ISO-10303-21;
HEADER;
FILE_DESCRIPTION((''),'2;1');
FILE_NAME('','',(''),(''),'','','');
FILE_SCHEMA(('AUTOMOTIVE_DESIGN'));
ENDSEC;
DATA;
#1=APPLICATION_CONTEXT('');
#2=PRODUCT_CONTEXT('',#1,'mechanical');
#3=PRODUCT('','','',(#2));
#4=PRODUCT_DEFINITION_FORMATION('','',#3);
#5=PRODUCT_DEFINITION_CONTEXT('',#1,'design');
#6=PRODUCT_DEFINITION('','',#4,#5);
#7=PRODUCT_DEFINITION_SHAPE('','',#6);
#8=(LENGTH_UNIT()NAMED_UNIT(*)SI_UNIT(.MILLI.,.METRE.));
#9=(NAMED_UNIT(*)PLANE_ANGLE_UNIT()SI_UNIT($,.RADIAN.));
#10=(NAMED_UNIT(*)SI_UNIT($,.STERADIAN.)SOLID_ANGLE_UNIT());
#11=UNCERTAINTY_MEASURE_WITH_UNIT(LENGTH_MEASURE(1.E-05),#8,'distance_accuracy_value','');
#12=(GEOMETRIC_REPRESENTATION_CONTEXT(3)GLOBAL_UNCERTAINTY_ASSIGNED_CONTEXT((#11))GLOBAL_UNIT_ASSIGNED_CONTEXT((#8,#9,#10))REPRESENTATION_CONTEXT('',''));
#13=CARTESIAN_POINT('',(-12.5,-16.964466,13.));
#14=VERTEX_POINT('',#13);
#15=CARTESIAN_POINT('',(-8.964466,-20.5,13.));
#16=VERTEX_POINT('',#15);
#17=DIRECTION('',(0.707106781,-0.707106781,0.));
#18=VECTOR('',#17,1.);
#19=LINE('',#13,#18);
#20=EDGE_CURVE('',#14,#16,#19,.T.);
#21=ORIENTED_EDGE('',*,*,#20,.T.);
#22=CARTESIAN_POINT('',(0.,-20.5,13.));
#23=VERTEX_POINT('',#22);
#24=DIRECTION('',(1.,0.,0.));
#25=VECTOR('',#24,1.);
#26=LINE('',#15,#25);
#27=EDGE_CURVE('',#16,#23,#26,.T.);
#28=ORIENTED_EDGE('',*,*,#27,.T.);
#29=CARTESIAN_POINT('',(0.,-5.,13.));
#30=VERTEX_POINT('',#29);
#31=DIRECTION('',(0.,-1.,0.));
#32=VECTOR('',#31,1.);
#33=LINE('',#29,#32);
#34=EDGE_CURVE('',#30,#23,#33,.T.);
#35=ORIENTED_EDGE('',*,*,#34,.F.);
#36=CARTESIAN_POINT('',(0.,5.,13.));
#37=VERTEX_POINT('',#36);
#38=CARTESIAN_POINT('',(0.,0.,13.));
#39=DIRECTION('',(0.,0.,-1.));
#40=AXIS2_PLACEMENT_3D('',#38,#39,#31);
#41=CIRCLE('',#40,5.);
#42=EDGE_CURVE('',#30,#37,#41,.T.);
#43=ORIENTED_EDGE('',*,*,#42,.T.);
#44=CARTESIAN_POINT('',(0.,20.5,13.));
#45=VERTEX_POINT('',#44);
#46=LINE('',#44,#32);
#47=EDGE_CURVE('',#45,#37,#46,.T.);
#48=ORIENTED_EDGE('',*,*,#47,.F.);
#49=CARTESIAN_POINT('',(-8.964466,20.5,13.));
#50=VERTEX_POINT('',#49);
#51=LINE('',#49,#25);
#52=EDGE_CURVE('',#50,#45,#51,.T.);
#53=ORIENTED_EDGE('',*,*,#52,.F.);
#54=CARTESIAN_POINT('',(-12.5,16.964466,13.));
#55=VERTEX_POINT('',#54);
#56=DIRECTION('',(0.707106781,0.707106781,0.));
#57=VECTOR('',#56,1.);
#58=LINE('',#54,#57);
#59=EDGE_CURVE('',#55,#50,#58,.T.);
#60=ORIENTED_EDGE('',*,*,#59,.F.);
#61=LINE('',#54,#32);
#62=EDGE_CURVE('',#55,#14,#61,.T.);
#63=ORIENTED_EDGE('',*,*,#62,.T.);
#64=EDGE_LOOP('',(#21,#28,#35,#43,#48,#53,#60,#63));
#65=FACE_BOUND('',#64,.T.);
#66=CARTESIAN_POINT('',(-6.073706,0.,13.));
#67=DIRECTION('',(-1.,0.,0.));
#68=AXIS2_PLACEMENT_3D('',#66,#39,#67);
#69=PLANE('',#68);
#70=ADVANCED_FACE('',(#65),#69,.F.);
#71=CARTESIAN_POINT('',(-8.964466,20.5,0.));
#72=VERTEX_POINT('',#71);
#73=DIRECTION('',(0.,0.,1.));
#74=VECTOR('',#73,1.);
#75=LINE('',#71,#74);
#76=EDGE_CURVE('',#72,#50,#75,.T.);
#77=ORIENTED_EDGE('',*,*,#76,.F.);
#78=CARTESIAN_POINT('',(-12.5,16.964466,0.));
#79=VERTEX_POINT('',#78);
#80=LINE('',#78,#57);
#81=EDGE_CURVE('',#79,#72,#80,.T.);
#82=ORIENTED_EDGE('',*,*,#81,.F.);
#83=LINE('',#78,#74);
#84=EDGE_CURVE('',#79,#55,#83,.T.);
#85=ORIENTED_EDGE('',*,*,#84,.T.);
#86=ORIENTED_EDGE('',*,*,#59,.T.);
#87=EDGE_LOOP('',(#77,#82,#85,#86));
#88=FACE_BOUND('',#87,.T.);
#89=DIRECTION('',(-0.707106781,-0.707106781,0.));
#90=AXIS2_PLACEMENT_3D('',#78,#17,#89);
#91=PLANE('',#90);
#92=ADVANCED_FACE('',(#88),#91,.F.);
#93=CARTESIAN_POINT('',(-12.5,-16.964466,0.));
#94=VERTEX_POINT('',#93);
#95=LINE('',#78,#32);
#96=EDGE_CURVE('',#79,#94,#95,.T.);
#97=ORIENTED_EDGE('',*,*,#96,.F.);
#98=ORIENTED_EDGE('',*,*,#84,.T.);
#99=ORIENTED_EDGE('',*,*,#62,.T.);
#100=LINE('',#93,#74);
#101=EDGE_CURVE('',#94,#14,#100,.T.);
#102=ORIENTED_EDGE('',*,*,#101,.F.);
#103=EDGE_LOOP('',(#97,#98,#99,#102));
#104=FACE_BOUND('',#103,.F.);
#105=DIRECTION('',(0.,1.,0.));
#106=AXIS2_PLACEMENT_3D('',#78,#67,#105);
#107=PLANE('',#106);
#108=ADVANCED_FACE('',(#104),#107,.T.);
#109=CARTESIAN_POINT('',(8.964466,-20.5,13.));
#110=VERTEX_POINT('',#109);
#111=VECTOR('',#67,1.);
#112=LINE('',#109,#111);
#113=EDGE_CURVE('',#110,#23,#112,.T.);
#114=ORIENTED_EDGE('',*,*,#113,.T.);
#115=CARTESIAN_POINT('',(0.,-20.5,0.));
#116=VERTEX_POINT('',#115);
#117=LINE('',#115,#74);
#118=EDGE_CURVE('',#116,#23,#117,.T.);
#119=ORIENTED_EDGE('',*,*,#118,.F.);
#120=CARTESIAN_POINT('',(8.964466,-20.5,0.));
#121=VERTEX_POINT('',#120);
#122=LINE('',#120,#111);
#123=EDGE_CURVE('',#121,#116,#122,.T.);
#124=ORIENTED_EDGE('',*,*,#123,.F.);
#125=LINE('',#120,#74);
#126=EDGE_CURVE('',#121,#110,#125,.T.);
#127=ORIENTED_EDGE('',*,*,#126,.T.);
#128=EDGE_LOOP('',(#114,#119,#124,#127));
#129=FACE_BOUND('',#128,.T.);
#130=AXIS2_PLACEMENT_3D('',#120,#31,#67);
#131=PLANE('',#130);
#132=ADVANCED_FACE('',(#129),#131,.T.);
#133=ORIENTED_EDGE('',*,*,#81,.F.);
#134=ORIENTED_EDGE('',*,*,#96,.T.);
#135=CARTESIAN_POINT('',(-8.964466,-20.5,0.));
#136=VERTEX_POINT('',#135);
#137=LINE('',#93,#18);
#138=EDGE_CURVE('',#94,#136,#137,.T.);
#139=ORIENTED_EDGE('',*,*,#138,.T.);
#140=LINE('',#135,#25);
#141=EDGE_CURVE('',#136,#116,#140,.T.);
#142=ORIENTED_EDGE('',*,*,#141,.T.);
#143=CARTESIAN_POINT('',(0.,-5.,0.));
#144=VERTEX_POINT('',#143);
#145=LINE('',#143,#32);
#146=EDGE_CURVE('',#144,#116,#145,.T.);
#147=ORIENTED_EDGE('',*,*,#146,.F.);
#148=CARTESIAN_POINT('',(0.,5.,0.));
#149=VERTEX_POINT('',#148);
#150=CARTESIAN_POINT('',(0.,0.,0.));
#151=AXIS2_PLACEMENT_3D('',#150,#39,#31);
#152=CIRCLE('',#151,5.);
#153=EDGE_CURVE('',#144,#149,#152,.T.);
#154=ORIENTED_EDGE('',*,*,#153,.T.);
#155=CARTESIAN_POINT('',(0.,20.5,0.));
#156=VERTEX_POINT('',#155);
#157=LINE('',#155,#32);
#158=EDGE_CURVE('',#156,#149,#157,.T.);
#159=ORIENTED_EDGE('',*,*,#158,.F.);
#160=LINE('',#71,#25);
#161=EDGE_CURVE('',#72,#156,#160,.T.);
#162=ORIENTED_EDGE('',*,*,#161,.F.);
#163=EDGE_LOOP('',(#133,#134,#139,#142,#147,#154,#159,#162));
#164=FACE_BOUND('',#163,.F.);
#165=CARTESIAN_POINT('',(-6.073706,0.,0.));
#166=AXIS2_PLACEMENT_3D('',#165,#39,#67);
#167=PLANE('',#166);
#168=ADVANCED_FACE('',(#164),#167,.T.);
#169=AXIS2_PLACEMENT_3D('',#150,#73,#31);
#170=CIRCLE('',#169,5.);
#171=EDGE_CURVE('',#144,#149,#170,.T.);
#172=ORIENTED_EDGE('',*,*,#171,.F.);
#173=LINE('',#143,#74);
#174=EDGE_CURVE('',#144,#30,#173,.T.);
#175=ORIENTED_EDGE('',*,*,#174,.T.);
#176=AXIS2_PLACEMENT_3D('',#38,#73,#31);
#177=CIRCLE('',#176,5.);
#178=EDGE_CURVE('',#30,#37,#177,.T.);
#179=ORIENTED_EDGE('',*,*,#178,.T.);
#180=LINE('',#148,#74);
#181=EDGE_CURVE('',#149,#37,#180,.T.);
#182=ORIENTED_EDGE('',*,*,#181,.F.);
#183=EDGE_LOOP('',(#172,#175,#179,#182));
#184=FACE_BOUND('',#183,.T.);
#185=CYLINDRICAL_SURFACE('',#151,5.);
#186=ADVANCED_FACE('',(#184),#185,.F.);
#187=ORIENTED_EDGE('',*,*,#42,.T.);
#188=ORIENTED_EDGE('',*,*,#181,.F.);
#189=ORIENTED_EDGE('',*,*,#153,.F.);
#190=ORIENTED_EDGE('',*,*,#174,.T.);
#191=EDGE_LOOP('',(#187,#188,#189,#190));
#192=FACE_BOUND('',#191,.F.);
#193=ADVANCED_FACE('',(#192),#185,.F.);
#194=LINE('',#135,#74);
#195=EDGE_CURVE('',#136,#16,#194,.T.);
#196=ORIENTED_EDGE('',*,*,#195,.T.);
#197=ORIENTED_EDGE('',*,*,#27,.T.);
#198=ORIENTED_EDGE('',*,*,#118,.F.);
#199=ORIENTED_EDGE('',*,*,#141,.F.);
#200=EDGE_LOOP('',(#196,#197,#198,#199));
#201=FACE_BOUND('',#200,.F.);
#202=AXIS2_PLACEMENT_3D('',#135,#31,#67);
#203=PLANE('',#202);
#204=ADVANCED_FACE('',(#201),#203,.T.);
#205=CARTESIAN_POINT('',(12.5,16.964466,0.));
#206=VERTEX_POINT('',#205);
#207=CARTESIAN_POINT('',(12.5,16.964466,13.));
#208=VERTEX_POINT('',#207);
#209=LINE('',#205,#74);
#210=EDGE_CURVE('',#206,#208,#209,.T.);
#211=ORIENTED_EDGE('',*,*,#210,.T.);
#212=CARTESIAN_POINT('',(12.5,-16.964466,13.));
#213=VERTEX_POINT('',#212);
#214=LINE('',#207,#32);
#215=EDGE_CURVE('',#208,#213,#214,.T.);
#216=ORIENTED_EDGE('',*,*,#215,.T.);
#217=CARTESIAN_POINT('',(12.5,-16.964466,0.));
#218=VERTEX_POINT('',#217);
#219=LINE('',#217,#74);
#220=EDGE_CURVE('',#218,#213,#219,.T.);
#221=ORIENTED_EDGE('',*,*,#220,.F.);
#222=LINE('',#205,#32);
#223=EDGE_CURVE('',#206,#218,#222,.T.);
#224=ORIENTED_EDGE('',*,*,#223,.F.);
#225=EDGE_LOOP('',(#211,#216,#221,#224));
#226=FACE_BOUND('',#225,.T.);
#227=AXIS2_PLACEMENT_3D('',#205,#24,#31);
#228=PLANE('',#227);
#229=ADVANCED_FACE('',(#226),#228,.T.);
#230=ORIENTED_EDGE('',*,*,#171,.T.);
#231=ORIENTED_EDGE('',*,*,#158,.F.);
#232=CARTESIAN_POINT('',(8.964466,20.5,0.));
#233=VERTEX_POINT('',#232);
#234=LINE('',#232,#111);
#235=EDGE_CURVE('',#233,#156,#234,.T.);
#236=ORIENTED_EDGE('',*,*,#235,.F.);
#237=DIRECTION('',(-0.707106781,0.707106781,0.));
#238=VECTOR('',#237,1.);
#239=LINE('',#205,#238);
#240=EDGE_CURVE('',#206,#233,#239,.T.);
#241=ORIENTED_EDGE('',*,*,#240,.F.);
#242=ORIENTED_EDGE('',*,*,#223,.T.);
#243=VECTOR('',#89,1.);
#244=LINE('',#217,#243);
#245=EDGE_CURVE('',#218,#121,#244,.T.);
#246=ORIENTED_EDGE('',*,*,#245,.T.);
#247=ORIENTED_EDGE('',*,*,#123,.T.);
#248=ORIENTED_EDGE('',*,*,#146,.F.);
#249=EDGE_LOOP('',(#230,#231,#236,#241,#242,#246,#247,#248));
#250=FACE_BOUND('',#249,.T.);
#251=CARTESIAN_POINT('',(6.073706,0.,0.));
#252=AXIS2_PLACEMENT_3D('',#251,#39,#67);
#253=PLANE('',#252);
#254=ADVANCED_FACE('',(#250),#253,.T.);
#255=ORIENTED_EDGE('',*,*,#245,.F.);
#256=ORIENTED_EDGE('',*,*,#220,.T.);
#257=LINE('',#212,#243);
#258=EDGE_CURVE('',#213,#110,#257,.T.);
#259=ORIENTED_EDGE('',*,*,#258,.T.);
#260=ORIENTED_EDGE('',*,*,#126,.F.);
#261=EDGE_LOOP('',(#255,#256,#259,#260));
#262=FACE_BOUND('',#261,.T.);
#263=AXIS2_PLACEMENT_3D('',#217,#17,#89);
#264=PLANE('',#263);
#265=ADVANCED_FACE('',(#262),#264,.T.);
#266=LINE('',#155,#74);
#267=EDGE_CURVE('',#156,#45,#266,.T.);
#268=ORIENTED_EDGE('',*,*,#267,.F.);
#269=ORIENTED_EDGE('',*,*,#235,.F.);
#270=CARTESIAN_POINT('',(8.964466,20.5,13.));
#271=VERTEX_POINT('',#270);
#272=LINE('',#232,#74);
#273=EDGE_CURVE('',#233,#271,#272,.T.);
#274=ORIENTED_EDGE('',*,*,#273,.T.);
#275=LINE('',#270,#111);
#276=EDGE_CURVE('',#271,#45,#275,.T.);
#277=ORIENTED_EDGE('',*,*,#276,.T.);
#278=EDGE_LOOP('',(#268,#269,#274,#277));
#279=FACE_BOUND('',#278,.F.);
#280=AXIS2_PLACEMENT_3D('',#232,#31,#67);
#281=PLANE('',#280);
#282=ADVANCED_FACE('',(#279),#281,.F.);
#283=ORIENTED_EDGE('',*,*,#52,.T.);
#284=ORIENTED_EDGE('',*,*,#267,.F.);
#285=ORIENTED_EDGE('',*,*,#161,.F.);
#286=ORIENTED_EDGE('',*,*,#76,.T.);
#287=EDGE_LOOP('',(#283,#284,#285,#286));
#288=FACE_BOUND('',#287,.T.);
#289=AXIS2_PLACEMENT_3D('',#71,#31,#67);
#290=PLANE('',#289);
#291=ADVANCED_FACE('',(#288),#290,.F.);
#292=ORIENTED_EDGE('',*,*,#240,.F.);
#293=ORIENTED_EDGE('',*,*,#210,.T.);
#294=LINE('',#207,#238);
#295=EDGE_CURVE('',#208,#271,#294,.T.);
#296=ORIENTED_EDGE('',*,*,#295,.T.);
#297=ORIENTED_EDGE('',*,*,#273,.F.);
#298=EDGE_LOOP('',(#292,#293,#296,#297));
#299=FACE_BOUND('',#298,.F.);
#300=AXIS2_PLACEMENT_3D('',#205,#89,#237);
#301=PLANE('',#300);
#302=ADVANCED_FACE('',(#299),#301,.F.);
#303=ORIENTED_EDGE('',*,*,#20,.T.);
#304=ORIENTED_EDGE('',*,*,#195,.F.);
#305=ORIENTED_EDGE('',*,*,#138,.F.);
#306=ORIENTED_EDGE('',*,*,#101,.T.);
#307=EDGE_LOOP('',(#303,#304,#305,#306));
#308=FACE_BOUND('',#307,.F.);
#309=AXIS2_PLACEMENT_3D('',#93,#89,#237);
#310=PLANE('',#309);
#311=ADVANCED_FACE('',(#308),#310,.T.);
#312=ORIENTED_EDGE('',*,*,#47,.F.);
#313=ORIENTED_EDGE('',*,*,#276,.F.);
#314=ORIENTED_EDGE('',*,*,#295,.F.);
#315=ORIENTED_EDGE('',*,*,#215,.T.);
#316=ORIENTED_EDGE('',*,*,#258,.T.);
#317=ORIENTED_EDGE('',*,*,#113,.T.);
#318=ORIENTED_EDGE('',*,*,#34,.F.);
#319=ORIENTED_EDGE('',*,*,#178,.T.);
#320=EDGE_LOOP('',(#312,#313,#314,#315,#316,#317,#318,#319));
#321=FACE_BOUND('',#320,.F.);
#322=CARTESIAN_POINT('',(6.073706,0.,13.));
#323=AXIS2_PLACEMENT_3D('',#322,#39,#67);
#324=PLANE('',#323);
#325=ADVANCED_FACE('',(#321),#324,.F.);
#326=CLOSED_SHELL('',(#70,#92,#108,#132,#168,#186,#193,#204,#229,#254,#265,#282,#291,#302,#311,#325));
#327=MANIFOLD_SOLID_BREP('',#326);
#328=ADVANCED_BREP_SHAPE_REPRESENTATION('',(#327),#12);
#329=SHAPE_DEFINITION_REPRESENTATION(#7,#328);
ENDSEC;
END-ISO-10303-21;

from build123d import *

# Parameters (mm, degrees)
PAD_DEPTH = 13


with BuildPart() as part:
    # Sketch → Pad (new body)
    with BuildSketch(Plane.XY):
        with BuildLine():
            ThreePointArc((0, -5), (5, 0), (0, 5))
            Line((0, 20.5), (0, 5))
            Line((8.964466, 20.5), (0, 20.5))
            Line((10.732233, 18.732233), (8.964466, 20.5))
            Line((10.732233, 18.732233), (12.5, 16.964466))
            Line((12.5, 16.964466), (12.5, -16.964466))
            Line((12.5, -16.964466), (10.732233, -18.732233))
            Line((10.732233, -18.732233), (8.964466, -20.5))
            Line((8.964466, -20.5), (0, -20.5))
            Line((0, -5), (0, -20.5))
        make_face()
    pad = extrude(amount=PAD_DEPTH)

    # Mirrored: Pad across Sketch V_Axis
    add(pad.mirror(Plane(origin=(0, 0, 0), x_dir=(0, 0, 1), z_dir=(1, 0, 0))))


solid = part.part
